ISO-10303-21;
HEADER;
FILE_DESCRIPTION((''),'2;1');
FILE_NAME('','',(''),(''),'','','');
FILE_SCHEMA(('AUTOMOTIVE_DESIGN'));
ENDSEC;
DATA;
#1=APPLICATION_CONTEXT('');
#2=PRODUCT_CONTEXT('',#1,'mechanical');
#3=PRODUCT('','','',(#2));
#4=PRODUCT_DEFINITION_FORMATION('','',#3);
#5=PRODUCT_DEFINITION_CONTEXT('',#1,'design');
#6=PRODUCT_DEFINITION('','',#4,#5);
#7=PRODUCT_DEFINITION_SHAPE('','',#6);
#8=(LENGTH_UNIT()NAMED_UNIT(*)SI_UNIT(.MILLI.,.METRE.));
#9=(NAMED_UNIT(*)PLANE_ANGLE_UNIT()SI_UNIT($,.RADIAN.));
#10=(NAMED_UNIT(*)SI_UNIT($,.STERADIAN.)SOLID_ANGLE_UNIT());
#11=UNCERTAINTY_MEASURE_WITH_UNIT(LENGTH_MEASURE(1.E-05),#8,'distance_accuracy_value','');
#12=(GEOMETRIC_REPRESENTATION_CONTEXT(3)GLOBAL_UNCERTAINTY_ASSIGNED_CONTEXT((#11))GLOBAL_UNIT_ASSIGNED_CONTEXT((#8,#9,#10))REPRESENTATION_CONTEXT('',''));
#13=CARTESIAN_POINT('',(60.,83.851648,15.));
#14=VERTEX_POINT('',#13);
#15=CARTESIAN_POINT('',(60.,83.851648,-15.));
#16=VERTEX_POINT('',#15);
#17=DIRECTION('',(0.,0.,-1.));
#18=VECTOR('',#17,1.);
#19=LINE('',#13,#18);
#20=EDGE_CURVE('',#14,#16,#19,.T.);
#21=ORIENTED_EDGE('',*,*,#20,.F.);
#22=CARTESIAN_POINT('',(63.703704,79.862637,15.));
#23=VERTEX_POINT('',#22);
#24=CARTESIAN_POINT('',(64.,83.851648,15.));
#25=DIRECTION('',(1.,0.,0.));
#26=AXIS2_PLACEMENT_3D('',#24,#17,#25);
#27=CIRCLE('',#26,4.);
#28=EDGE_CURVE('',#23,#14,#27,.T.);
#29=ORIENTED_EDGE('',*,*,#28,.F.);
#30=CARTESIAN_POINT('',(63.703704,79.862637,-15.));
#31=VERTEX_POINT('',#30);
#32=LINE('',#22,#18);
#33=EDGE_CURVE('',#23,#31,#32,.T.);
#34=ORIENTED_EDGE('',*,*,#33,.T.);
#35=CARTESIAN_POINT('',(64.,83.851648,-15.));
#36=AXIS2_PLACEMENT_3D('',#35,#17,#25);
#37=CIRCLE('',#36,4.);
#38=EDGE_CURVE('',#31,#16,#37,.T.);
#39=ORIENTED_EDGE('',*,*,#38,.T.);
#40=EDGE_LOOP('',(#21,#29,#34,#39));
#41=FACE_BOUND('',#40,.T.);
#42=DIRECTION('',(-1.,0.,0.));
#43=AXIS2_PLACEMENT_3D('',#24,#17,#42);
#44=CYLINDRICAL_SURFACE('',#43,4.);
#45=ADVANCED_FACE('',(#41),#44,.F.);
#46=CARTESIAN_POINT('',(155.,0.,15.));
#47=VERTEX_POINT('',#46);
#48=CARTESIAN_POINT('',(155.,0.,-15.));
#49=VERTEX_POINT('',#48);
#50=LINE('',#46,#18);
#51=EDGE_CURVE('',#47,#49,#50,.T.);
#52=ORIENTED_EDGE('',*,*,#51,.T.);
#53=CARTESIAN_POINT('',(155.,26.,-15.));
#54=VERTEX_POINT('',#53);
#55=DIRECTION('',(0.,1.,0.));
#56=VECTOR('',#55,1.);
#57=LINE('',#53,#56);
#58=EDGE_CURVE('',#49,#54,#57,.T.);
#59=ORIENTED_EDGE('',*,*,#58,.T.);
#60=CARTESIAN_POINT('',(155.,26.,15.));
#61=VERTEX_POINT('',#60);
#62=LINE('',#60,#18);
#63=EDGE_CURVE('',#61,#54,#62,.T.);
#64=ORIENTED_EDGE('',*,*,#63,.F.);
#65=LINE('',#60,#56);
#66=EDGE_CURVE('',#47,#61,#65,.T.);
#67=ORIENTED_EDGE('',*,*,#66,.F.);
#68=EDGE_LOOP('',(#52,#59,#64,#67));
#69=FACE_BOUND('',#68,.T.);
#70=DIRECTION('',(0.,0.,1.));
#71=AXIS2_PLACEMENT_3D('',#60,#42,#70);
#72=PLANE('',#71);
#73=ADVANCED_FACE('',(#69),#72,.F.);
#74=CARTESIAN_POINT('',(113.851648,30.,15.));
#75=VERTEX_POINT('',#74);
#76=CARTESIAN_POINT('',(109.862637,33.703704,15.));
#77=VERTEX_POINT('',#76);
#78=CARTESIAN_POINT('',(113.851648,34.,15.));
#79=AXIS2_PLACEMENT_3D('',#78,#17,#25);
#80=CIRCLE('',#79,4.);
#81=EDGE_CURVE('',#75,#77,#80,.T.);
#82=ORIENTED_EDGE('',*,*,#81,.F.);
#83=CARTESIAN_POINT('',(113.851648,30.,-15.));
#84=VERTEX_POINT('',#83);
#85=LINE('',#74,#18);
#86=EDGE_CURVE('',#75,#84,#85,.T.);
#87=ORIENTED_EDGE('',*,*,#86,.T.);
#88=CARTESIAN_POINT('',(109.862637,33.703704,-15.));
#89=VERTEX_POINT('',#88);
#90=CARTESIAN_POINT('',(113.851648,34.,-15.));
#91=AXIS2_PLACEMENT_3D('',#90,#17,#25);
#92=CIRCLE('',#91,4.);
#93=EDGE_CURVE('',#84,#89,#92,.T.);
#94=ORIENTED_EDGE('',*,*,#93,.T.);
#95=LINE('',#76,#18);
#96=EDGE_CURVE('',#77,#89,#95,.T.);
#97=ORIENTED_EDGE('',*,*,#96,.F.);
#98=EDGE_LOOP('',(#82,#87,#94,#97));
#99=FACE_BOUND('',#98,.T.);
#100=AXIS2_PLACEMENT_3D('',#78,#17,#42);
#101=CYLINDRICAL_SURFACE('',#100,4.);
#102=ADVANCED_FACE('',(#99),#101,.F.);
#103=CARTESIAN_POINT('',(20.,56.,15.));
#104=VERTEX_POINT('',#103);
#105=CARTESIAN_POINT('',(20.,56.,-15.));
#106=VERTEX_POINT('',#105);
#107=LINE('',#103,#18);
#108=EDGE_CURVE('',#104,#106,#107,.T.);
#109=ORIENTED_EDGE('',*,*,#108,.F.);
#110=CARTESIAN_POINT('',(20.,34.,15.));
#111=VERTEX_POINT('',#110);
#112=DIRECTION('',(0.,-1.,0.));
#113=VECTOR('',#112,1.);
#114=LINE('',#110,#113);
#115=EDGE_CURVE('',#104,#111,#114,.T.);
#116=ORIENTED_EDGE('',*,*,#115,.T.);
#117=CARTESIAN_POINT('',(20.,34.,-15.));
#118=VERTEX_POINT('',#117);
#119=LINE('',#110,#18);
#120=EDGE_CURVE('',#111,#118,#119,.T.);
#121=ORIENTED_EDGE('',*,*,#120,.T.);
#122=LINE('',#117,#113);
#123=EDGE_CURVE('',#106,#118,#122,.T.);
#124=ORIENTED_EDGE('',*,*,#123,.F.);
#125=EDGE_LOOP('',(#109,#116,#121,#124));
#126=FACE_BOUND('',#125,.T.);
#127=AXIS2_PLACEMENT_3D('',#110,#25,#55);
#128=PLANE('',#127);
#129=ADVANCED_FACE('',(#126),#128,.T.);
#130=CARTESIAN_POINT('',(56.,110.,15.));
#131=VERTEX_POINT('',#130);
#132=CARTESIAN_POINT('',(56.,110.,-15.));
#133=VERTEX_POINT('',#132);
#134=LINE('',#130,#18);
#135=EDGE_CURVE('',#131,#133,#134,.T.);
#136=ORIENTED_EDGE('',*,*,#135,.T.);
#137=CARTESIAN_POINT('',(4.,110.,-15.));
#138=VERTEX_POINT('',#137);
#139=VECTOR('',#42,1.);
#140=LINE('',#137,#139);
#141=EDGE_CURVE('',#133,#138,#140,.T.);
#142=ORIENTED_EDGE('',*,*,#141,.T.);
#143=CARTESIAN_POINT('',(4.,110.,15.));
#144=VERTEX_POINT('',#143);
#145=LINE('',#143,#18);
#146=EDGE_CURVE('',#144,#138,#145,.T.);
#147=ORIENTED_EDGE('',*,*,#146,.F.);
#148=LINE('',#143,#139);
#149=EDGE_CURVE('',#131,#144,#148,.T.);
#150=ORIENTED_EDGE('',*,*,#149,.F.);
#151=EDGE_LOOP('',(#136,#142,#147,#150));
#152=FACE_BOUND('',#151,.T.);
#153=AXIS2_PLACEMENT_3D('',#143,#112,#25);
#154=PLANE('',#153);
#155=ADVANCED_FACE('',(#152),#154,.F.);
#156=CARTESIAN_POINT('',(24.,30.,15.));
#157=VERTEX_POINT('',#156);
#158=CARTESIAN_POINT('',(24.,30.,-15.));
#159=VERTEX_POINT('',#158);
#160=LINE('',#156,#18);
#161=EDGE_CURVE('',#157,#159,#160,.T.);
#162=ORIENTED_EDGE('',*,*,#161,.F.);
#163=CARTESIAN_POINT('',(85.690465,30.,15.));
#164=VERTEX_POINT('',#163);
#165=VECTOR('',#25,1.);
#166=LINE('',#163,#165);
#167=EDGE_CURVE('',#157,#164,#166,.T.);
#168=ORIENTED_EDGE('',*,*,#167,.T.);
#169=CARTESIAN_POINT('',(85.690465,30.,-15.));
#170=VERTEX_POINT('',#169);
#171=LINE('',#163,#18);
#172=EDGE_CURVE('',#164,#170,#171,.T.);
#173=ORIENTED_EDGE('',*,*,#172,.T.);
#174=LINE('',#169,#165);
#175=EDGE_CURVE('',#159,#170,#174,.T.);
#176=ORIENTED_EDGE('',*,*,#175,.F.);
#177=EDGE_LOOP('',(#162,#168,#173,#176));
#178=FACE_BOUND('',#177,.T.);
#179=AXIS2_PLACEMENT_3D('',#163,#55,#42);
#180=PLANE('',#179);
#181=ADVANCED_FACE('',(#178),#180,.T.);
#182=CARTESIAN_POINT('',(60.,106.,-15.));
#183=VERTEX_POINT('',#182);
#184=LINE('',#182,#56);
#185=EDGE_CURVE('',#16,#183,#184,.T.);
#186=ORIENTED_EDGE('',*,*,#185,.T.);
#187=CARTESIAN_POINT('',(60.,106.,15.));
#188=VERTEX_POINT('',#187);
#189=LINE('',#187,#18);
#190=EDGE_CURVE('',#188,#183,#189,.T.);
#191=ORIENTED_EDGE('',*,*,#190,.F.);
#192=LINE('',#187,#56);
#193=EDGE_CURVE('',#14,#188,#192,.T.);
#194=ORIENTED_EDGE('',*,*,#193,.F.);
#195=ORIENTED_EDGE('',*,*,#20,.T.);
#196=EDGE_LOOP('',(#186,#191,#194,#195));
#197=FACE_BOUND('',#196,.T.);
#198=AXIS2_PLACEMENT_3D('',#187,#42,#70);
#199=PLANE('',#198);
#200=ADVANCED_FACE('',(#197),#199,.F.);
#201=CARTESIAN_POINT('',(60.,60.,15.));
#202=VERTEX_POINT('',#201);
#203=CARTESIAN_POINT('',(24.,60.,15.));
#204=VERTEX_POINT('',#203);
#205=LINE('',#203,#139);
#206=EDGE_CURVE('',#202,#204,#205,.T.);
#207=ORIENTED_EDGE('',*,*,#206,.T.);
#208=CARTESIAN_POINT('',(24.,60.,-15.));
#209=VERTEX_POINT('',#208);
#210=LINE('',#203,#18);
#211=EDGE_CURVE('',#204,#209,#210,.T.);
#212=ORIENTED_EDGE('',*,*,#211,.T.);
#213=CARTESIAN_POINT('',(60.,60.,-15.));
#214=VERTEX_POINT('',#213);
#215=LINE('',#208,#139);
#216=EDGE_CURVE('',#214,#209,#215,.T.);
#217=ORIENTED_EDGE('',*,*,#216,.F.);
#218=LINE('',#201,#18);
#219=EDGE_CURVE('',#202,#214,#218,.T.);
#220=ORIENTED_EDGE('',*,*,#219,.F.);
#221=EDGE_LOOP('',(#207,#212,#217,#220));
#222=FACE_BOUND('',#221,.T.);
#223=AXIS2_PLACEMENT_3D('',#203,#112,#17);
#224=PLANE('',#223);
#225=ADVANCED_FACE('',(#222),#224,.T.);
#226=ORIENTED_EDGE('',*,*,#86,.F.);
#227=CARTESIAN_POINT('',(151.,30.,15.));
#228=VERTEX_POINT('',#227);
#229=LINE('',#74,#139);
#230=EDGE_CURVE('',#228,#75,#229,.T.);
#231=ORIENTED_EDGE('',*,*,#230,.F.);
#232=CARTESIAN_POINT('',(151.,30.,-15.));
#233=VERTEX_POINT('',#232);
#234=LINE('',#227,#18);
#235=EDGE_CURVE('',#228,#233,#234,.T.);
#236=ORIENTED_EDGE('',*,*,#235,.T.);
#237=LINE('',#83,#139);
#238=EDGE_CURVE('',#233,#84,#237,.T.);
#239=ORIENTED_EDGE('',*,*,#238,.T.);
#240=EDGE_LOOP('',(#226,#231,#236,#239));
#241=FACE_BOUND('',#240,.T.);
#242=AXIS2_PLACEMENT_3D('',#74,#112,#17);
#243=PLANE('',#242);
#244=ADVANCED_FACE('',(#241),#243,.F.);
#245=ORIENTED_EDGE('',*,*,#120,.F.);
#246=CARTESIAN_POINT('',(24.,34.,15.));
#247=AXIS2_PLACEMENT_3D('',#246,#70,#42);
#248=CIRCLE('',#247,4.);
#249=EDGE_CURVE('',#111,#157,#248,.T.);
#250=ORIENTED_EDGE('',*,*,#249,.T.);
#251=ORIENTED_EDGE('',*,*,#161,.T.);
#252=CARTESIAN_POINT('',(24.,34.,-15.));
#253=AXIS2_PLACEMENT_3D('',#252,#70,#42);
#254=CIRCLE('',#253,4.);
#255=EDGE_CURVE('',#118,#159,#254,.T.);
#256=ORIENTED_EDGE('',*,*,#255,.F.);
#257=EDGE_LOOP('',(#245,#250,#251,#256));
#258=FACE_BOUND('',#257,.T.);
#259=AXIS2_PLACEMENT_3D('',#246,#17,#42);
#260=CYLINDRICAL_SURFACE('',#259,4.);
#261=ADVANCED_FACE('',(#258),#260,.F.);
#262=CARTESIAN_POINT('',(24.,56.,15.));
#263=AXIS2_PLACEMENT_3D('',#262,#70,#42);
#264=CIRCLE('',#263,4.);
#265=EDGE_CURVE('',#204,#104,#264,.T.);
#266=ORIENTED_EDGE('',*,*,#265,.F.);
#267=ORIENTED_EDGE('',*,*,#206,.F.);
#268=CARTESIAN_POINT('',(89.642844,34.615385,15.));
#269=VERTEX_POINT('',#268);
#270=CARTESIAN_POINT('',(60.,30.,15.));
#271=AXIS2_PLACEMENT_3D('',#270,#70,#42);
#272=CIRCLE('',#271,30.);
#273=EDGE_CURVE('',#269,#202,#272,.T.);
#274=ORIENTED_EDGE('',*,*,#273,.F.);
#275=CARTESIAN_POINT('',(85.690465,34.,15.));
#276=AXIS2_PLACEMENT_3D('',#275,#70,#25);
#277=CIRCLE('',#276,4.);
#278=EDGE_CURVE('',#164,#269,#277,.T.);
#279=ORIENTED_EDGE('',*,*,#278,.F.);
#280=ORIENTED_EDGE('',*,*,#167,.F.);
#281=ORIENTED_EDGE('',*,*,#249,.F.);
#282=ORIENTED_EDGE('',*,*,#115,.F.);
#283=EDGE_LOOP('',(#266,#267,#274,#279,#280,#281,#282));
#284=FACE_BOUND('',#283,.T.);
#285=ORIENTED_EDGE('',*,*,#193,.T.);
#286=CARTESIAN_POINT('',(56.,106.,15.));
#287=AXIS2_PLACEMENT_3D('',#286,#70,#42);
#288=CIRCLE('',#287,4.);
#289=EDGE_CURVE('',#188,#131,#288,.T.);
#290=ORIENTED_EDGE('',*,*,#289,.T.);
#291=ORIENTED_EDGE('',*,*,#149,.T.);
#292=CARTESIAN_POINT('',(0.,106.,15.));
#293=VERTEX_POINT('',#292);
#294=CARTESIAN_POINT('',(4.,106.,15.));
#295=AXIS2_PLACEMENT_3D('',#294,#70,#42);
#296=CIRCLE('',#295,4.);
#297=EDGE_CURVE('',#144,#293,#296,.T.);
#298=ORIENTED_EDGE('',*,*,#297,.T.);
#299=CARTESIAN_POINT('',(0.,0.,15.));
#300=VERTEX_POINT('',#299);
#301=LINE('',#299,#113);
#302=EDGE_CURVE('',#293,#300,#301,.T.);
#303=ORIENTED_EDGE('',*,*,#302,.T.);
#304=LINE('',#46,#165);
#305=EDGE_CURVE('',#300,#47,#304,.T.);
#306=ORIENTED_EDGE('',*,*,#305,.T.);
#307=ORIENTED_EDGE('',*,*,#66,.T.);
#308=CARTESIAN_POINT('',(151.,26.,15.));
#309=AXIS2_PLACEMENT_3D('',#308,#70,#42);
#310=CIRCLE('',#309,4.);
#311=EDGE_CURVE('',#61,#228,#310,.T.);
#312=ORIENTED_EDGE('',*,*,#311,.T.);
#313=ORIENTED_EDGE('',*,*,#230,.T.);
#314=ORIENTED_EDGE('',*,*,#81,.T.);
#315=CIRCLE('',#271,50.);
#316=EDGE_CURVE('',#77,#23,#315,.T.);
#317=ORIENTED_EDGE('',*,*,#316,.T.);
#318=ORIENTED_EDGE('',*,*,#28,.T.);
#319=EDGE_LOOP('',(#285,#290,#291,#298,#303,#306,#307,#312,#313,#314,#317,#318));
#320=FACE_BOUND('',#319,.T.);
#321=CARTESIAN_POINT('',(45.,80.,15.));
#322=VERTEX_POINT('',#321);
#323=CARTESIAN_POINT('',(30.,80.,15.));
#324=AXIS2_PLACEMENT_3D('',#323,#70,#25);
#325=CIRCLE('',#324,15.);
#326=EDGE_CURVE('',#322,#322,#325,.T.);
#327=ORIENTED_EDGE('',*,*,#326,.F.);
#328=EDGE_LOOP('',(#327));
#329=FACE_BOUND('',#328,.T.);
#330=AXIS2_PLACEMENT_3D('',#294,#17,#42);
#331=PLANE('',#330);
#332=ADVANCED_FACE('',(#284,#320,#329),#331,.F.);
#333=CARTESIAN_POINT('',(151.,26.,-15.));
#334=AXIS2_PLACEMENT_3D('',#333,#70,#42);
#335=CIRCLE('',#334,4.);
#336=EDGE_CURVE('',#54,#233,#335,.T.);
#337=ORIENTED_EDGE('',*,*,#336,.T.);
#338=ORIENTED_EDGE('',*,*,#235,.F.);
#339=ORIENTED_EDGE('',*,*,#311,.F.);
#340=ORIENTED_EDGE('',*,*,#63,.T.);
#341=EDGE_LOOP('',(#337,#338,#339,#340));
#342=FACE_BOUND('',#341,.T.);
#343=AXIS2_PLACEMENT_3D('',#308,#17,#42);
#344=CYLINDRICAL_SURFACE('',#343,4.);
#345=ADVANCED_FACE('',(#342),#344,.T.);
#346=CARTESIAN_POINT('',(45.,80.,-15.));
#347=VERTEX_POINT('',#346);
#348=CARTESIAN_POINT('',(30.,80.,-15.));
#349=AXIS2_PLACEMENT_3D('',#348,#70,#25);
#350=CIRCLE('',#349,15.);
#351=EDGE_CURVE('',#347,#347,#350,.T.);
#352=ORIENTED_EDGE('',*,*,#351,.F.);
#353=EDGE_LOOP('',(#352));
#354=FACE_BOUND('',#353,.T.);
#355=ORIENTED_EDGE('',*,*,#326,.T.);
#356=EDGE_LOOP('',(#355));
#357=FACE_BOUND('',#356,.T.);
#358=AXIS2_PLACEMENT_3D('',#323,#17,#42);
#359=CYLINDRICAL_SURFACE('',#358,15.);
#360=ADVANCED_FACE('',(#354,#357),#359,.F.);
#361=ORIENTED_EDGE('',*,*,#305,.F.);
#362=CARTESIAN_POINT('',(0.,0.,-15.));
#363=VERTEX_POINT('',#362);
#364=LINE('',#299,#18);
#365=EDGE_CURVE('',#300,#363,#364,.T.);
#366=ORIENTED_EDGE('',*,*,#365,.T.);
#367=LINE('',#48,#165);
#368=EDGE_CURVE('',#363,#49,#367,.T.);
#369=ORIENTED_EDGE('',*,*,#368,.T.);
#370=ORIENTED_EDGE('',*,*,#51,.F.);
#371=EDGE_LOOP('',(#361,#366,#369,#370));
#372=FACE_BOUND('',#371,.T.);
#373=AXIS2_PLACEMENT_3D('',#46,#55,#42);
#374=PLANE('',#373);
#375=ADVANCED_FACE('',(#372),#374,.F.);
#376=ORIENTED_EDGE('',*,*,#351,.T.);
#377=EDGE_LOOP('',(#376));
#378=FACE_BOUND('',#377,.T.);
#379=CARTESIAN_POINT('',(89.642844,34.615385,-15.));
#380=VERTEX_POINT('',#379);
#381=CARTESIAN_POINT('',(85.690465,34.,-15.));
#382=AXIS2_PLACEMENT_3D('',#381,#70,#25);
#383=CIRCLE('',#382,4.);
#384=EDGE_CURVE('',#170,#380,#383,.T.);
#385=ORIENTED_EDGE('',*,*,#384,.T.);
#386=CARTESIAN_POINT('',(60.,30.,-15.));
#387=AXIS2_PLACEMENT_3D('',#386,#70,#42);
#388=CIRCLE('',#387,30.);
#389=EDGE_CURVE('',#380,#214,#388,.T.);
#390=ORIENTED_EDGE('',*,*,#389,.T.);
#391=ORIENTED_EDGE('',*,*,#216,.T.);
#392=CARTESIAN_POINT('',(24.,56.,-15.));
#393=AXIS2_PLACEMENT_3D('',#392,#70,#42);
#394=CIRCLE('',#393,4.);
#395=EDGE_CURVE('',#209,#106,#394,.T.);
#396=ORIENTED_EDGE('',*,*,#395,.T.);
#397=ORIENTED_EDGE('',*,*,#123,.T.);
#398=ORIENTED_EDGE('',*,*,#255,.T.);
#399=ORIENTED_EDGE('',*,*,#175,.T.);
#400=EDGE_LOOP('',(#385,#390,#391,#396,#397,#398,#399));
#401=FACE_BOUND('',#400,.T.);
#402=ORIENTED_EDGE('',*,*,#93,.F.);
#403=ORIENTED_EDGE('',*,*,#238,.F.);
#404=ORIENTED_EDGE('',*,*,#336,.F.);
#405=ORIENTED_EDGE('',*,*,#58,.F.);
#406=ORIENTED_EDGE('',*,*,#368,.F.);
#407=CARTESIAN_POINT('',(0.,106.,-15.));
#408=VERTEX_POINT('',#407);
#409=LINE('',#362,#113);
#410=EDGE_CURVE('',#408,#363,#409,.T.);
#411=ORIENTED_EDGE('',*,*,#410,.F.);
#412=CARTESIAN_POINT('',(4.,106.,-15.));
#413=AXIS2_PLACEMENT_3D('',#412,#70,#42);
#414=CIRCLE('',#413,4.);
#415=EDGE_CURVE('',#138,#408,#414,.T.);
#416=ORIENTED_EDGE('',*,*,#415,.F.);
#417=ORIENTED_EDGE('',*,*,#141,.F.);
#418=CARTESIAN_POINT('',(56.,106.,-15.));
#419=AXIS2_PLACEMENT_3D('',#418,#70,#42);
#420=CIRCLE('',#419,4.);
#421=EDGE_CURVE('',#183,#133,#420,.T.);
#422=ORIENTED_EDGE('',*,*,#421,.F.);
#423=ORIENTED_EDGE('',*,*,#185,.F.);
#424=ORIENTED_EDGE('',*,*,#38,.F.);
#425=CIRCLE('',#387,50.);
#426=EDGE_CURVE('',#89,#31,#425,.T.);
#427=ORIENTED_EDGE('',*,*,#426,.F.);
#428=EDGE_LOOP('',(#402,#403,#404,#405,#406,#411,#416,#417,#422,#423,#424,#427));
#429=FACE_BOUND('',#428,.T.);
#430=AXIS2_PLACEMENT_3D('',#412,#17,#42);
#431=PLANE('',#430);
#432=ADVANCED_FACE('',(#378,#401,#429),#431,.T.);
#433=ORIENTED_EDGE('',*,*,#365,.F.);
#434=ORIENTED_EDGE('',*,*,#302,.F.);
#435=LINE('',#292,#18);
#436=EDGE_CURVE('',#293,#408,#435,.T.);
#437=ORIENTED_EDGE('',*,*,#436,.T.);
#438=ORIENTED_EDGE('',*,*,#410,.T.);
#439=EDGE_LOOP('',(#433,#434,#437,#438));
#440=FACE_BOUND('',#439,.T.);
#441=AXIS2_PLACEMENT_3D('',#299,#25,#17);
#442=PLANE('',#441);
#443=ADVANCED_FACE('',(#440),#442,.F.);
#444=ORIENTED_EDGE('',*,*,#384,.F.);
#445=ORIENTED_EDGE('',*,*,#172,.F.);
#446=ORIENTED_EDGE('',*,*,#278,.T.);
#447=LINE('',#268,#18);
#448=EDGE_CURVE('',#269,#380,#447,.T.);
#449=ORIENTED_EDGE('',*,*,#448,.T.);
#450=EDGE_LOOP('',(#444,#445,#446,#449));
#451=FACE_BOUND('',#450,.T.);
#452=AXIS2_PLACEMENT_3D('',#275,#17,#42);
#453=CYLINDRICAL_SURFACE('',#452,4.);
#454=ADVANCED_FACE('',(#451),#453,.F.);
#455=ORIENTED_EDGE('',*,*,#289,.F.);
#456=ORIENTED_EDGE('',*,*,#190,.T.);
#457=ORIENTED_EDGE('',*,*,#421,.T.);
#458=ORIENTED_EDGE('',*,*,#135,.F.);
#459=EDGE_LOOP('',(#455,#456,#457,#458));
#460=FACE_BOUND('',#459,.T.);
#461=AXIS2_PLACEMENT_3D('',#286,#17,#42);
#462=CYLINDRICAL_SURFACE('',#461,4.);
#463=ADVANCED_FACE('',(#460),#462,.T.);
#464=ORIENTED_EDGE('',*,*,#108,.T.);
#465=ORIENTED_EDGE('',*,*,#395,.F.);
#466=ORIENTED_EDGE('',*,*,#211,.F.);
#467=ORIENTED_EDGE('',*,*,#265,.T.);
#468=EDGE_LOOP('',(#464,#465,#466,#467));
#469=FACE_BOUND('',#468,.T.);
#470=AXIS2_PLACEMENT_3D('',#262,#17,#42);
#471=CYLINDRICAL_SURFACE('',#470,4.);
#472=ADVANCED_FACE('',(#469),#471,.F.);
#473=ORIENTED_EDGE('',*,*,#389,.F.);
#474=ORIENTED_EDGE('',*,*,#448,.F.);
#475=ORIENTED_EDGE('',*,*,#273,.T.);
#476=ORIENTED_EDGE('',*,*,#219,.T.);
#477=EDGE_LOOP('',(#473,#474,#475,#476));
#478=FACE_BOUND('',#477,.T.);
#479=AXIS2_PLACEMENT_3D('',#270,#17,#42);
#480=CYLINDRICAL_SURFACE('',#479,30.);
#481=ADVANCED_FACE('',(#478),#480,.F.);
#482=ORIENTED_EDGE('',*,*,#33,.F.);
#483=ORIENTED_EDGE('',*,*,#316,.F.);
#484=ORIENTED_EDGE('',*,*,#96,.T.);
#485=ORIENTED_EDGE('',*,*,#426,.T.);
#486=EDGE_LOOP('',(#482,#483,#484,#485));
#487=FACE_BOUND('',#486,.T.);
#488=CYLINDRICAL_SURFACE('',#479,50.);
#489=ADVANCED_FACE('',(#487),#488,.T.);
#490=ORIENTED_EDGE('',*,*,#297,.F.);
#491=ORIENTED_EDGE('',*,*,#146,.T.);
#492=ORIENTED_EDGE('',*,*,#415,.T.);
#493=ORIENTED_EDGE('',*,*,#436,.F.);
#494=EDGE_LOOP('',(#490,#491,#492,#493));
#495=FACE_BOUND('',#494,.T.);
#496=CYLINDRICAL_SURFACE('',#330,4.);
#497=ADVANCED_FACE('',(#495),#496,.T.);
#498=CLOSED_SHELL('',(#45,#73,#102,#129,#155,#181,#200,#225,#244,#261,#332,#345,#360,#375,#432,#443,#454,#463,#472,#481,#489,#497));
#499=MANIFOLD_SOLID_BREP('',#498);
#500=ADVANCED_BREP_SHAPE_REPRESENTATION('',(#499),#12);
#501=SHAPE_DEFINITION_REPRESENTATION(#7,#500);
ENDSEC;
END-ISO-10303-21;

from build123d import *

# Parameters (mm, degrees)
SKETCH1_R           = 15
BOSS_EXTRUDE1_DEPTH = 15


with BuildPart() as part:
    # Sketch1 → Boss-Extrude1 (new, symmetric)
    with BuildSketch(Plane.XY):
        with BuildLine():
            Line((0, 0), (0, 106))
            ThreePointArc((0, 106), (1.171572875, 108.828427125), (4, 110))
            Line((4, 110), (56, 110))
            ThreePointArc((56, 110), (58.828427125, 108.828427125), (60, 106))
            Line((60, 106), (60, 83.851648071))
            ThreePointArc((60, 83.851648071), (61.068687565, 81.129992802), (63.703703704, 79.862637103))
            ThreePointArc((63.703703704, 79.862637103), (95.355339059, 65.355339059), (109.862637103, 33.703703704))
            ThreePointArc((109.862637103, 33.703703704), (111.129992802, 31.068687565), (113.851648071, 30))
            Line((113.851648071, 30), (151, 30))
            ThreePointArc((151, 30), (153.828427125, 28.828427125), (155, 26))
            Line((155, 26), (155, 0))
            Line((155, 0), (0, 0))
        make_face()
        with Locations((30, 80)):
            Circle(SKETCH1_R, mode=Mode.SUBTRACT)
        with BuildLine():
            Line((85.690465157, 30), (24, 30))
            ThreePointArc((24, 30), (21.171572875, 31.171572875), (20, 34))
            Line((20, 34), (20, 56))
            ThreePointArc((20, 56), (21.171572875, 58.828427125), (24, 60))
            Line((24, 60), (60, 60))
            ThreePointArc((60, 60), (79.513309068, 52.786635759), (89.642844412, 34.615384615))
            ThreePointArc((89.642844412, 34.615384615), (88.728683259, 31.398225458), (85.690465157, 30))
        make_face(mode=Mode.SUBTRACT)
    extrude(amount=BOSS_EXTRUDE1_DEPTH, both=True)


solid = part.part
